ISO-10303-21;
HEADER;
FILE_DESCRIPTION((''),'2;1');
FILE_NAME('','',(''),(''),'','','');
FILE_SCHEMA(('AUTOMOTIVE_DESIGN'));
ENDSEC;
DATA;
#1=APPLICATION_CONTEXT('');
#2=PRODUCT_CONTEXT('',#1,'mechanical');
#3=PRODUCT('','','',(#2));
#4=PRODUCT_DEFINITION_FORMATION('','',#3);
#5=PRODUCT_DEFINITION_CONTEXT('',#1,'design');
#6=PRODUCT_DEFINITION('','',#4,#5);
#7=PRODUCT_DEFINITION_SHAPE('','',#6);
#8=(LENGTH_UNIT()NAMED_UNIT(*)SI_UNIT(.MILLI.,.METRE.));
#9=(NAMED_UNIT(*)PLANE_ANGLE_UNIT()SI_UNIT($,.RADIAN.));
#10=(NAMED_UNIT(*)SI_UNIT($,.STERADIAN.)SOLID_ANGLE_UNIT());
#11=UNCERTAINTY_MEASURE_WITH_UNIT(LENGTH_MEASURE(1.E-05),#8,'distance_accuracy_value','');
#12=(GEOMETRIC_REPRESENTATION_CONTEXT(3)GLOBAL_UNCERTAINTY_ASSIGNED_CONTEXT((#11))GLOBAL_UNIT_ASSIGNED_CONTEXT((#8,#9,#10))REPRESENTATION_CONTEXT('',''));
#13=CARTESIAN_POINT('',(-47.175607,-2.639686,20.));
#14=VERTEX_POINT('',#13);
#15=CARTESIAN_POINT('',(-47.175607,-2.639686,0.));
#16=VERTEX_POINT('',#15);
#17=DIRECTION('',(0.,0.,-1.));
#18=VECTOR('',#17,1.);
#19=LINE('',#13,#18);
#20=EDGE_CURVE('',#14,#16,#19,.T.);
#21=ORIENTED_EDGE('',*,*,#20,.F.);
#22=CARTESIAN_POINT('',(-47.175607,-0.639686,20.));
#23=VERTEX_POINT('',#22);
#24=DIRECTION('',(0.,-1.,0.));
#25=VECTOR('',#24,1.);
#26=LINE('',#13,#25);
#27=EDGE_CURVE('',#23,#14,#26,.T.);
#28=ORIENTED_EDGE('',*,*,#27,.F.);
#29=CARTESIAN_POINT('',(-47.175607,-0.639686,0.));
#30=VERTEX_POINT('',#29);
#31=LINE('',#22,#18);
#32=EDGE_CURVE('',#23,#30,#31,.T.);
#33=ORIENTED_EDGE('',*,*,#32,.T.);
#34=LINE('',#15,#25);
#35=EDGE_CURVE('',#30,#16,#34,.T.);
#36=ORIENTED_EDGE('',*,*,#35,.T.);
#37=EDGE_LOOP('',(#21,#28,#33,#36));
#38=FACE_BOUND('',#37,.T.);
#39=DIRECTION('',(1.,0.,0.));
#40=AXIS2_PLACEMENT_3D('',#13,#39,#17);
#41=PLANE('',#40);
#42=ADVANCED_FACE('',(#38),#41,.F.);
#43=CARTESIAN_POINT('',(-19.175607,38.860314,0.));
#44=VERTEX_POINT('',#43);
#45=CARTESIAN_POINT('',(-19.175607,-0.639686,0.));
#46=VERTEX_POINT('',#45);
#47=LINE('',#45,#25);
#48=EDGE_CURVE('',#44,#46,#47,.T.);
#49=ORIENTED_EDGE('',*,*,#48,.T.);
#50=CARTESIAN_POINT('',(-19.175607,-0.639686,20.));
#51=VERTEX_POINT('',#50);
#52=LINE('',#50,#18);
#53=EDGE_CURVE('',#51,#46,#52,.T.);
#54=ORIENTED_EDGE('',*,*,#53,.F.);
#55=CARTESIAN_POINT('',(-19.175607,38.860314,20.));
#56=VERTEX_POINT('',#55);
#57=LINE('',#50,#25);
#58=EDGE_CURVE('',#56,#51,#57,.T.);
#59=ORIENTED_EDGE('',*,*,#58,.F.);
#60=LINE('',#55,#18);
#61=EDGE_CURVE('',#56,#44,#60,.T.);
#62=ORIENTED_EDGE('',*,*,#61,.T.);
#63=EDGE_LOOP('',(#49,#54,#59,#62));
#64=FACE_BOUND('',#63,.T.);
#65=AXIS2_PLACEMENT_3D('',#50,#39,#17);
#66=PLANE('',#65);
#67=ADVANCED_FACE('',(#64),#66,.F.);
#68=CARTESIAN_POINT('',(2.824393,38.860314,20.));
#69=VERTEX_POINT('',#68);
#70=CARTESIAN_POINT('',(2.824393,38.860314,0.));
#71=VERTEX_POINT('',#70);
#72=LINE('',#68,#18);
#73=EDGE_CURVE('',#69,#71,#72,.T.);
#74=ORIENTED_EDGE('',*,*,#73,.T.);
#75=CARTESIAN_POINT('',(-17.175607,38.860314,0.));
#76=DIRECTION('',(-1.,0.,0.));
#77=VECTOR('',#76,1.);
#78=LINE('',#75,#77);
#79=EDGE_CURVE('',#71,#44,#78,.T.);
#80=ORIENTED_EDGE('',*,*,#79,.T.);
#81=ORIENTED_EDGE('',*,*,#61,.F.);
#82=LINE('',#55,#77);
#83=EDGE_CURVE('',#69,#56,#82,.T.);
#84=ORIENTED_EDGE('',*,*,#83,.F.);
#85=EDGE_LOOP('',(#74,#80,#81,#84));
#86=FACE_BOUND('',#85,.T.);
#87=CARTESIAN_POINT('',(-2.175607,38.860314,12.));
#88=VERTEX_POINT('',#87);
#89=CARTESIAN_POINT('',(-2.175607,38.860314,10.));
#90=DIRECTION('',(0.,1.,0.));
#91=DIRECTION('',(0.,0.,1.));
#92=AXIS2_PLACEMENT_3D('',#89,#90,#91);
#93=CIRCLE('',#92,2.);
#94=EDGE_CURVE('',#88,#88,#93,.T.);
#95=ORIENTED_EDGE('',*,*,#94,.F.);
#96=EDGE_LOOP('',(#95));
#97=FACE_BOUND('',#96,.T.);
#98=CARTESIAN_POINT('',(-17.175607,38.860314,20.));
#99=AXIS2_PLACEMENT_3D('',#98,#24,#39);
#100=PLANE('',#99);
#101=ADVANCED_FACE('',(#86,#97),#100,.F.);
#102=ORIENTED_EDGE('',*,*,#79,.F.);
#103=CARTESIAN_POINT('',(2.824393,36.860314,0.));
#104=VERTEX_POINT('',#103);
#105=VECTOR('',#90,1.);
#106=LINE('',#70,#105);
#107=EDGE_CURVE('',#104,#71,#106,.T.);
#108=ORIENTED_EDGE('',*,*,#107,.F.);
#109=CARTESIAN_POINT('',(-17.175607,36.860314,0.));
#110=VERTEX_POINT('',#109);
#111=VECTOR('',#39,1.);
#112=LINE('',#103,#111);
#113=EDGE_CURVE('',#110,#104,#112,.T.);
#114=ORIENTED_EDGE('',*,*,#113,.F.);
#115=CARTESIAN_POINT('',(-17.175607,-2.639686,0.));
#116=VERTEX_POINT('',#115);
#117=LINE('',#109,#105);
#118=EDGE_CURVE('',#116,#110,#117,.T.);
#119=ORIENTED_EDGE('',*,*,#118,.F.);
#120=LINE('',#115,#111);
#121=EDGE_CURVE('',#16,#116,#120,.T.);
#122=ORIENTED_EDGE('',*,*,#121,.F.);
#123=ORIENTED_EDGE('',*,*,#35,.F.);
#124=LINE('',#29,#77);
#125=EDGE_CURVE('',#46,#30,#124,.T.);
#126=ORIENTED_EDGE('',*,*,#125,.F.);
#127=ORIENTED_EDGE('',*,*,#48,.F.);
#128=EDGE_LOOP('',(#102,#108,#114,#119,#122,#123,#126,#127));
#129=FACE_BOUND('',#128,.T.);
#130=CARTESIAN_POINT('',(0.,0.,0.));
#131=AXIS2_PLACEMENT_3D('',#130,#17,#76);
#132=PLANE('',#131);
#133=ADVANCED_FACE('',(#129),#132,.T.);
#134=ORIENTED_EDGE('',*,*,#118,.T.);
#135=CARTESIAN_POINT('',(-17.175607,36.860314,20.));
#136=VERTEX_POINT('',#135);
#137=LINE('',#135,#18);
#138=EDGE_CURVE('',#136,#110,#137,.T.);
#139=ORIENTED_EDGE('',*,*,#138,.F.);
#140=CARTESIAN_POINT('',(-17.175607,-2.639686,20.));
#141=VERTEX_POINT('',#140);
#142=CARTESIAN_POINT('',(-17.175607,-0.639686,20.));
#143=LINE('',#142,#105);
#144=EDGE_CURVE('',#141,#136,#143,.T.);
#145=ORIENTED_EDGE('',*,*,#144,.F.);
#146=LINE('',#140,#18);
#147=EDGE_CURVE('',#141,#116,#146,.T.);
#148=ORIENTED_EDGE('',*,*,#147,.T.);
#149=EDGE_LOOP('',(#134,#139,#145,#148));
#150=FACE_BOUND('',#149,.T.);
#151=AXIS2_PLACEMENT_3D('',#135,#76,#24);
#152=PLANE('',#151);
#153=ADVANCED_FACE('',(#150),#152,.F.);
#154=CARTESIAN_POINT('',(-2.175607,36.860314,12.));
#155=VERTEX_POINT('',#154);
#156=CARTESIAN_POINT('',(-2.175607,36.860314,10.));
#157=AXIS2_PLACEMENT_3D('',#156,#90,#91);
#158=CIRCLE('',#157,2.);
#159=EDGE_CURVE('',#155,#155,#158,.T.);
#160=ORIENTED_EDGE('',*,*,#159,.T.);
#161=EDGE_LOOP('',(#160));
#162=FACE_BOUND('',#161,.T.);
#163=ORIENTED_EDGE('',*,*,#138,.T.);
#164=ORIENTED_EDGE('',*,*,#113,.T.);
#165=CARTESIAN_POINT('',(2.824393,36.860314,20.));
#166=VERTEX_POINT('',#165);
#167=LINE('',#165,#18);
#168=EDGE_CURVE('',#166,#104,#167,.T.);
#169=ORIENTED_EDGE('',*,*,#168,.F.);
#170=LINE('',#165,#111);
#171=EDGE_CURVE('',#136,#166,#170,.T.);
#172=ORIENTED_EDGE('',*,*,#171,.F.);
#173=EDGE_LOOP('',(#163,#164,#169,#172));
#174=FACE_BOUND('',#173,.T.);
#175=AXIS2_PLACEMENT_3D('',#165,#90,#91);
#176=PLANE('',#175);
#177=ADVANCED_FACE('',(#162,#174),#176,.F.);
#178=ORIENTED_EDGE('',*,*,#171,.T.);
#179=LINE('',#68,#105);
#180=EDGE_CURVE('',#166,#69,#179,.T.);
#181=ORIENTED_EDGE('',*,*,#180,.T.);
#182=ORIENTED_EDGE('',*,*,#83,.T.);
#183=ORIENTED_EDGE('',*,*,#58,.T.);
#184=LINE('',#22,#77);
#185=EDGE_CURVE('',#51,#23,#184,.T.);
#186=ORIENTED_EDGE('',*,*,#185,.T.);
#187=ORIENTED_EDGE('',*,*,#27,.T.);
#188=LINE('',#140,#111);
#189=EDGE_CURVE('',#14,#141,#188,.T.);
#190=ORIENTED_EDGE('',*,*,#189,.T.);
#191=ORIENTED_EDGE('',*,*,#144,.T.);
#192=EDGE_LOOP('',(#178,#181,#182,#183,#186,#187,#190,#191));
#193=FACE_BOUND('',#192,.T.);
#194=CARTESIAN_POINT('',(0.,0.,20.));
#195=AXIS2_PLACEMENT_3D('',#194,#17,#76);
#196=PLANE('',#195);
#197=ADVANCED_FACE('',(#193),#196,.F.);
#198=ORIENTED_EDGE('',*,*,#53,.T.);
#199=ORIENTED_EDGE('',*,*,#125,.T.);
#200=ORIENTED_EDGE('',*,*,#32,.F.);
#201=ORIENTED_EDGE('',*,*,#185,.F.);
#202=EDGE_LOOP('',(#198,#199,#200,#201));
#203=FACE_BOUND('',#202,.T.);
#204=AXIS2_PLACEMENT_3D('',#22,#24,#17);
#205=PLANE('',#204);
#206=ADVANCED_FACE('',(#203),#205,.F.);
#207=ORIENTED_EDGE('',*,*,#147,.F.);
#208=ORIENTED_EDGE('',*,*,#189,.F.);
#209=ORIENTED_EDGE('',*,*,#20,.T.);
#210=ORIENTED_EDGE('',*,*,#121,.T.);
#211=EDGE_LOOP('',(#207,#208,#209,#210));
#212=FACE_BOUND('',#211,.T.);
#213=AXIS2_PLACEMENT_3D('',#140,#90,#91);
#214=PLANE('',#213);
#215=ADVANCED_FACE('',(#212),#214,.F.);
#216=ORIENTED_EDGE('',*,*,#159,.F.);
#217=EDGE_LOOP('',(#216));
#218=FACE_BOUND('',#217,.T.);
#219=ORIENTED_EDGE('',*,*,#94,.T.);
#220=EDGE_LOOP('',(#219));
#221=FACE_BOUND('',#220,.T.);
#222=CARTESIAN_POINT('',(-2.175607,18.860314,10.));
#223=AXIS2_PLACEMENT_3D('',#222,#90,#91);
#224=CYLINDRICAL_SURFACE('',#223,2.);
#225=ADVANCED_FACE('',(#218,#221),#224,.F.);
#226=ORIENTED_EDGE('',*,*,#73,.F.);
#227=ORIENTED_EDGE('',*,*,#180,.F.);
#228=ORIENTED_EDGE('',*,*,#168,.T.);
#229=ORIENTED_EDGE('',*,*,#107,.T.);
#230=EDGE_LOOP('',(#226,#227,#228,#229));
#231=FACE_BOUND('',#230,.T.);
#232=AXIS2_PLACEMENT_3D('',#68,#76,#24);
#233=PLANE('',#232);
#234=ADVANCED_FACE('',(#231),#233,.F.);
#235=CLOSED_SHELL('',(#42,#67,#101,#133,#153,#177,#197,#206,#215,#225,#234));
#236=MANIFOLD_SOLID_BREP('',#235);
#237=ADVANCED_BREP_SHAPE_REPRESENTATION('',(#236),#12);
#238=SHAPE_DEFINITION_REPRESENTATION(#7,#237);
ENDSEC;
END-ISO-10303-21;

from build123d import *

# Parameters (mm, degrees)
EXTRUDE_1_DEPTH     = 20
SKETCH_2_R          = 2
CUT_EXTRUDE_1_DEPTH = 20


with BuildPart() as part:
    # 草图1 → 凸台-拉伸1 (new body)
    with BuildSketch(Plane.XY):
        Polygon((-17.175607408, 38.860314389), (-7.175607408, 38.860314389), (2.824392592, 38.860314389), (2.824392592, 36.860314389), (-17.175607408, 36.860314389), (-17.175607408, -0.639685611), (-17.175607408, -2.639685611), (-47.175607408, -2.639685611), (-47.175607408, -0.639685611), (-19.175607408, -0.639685611), (-19.175607408, 38.860314389), align=None)
    extrude(amount=EXTRUDE_1_DEPTH)

    # 草图2 → 切除-拉伸1 (cut)
    with BuildSketch(Plane(origin=(0, 38.860314389, 0), x_dir=(1, 0, 0), z_dir=(0, 1, 0))):
        with Locations((-2.175607408, -10)):
            Circle(SKETCH_2_R)
    extrude(amount=-CUT_EXTRUDE_1_DEPTH, mode=Mode.SUBTRACT)


solid = part.part
